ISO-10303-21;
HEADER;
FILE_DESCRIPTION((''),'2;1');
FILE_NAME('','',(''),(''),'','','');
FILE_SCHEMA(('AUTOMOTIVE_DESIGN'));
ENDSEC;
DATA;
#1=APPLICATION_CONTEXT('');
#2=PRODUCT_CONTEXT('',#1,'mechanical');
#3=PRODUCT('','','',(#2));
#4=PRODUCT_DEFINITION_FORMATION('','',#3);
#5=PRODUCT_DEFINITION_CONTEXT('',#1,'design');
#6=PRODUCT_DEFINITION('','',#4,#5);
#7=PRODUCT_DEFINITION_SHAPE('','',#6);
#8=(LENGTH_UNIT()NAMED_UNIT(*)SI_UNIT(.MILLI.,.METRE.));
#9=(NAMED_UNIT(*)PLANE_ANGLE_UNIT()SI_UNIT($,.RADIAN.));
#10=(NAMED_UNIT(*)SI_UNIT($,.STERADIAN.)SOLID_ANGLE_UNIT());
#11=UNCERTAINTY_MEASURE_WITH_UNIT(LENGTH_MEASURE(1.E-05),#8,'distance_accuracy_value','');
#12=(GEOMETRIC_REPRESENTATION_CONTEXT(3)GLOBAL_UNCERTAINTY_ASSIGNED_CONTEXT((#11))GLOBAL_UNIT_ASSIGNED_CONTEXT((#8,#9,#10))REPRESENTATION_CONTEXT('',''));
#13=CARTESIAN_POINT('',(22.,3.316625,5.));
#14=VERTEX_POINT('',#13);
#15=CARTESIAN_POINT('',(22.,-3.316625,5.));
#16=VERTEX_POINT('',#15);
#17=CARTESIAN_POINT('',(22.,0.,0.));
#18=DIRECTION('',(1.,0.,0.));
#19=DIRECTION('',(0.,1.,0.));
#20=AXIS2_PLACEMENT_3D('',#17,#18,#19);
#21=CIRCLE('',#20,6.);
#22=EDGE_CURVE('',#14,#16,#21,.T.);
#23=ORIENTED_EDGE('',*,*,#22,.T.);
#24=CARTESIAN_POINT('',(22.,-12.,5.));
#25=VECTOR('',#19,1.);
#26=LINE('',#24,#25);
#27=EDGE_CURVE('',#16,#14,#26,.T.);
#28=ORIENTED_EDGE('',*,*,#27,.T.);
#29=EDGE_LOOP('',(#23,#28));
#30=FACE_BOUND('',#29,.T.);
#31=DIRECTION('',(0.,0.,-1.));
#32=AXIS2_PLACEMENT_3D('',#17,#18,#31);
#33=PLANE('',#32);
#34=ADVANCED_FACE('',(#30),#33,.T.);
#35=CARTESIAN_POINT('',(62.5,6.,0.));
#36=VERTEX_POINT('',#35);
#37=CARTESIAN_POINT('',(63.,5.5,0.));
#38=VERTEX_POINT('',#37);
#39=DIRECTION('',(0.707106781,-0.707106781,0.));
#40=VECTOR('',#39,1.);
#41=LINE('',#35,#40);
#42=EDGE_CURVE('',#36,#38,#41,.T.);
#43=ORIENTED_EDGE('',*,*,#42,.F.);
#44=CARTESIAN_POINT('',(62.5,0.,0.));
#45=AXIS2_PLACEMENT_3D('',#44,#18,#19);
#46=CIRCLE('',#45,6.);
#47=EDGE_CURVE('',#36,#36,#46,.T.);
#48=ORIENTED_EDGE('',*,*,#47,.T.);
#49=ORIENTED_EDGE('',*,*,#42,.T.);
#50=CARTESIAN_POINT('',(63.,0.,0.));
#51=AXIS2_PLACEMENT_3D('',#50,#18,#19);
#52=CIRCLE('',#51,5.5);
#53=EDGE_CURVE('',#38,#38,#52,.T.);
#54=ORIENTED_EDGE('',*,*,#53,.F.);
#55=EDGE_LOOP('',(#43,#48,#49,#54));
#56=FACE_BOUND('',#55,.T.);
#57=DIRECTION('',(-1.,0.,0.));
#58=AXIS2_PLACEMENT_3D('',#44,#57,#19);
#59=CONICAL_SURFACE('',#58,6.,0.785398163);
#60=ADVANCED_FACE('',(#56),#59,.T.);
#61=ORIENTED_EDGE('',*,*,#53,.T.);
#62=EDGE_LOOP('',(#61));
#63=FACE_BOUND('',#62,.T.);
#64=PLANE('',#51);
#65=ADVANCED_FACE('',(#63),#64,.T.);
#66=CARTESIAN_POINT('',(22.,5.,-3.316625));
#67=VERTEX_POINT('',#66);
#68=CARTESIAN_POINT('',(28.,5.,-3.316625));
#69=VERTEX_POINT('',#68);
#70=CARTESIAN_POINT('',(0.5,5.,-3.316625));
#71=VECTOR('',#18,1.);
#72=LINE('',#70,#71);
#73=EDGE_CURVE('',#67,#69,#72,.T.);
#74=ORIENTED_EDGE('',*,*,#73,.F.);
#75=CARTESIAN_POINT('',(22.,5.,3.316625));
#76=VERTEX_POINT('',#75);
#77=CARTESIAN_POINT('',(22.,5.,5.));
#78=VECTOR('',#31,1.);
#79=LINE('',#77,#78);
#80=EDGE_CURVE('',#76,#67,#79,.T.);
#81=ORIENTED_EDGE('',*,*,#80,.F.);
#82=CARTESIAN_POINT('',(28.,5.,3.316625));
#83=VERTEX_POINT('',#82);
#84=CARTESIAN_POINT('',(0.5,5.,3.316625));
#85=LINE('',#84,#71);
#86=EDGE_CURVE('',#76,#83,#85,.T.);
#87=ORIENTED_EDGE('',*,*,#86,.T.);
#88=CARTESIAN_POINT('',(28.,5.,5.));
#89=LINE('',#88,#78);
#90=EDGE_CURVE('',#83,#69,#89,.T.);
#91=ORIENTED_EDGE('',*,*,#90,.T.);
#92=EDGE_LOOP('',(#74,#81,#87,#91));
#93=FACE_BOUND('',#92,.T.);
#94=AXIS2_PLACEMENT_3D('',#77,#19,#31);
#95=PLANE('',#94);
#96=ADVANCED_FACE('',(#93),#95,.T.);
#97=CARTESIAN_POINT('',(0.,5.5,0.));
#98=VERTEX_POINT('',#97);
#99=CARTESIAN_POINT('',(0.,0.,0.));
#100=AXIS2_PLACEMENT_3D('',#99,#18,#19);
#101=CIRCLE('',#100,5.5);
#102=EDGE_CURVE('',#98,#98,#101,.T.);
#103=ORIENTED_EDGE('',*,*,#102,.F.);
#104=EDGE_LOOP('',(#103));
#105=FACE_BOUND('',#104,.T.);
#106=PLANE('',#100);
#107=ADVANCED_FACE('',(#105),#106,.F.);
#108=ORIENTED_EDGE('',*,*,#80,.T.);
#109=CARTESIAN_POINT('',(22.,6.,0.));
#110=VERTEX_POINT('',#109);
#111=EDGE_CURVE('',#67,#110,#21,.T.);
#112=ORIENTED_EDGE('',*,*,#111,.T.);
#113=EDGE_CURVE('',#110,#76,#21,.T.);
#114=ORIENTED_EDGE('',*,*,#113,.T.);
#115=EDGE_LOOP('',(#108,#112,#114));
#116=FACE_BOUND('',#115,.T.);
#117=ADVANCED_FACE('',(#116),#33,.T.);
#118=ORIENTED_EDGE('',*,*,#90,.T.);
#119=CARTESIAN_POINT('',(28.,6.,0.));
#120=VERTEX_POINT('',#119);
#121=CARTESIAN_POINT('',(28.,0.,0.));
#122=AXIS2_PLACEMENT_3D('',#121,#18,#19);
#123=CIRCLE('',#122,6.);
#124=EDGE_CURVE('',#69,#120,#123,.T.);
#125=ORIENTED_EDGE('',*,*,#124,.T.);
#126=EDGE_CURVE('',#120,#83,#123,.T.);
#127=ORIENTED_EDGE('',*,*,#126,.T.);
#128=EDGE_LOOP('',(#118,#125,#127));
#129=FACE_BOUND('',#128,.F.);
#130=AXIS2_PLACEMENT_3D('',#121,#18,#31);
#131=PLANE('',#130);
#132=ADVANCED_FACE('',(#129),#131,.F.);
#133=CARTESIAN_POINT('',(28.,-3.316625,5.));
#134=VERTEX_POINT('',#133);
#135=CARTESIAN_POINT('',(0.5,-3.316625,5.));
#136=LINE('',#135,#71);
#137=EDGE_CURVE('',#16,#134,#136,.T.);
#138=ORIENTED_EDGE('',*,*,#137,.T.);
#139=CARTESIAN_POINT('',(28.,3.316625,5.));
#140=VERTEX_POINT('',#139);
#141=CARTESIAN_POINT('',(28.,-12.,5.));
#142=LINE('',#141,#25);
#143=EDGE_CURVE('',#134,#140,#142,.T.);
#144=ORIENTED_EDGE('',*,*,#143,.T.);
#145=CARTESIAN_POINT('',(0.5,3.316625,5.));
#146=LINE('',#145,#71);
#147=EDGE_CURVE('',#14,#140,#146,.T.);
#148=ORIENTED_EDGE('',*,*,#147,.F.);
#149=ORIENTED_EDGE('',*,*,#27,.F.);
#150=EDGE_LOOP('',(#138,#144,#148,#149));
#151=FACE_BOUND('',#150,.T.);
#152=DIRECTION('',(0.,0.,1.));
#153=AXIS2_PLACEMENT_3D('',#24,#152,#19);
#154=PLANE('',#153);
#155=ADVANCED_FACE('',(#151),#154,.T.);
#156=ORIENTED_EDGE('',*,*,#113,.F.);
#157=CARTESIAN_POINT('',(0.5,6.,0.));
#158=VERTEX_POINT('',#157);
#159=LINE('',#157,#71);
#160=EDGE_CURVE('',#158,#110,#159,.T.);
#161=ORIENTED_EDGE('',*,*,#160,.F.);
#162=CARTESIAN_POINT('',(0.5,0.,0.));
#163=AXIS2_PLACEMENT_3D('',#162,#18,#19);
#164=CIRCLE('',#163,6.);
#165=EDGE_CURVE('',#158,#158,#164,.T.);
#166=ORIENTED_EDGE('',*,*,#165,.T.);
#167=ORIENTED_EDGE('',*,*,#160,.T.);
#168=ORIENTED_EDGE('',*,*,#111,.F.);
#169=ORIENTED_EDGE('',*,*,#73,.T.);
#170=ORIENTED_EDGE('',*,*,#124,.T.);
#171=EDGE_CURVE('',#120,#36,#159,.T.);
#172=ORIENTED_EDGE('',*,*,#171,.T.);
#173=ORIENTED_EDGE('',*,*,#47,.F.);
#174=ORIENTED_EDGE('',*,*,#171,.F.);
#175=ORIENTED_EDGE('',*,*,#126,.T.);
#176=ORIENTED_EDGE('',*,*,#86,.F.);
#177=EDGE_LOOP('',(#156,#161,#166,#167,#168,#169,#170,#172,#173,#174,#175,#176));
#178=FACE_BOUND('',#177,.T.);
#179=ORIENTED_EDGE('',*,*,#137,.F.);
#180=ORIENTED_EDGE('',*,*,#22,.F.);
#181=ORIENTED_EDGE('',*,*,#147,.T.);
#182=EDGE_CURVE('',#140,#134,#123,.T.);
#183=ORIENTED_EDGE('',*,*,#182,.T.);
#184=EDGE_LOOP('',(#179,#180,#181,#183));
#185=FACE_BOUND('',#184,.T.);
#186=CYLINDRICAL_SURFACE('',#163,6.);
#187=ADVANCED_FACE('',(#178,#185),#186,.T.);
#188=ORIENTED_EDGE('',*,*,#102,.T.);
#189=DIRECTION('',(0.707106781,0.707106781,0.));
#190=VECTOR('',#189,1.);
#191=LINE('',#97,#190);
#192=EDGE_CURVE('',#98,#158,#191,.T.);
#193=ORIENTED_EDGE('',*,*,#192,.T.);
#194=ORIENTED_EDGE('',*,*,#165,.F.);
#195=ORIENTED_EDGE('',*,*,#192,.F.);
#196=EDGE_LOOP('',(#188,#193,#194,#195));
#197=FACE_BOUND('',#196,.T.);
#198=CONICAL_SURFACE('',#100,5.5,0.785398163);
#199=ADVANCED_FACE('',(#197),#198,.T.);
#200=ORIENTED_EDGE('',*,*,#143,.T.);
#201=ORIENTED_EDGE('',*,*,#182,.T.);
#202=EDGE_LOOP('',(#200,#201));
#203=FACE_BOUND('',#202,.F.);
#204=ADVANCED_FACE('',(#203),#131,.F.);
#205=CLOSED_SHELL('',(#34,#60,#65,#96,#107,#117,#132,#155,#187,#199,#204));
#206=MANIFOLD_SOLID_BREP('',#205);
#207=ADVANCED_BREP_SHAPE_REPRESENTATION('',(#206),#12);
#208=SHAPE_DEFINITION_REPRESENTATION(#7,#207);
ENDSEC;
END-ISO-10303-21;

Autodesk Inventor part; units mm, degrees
ref_plane "YZ Plane" through (0, 0, 0) normal (1, 0, 0) x (0, 1, 0)
ref_plane "XZ Plane" through (0, 0, 0) normal (0, 1, 0) x (-1, 0, 0)
ref_plane "XY Plane" through (0, 0, 0) normal (0, 0, 1) x (1, 0, 0)
sketch "Sketch_3" plane through (0, 0, 0) normal (0, 0, 1) x (1, 0, 0)
  line L0 (63, 0) -> (0, 0)
  line L1 (0, 0) -> (0, 5.5)
  line L2 (0, 5.5) -> (0.5, 6)
  line L3 (0.5, 6) -> (62.5, 6)
  line L4 (62.5, 6) -> (63, 5.5)
  line L5 (63, 5.5) -> (63, 0)
  line L6 (63, 0) -> (0, 0)
revolve "Revolution1" add sketch "Sketch_3" angle 360 about axis through (63, 0, 0) along (1, 0, 0)
sketch "Sketch_10" plane through (22, 0, 0) normal (1, 0, 0) x (0, 0, -1)
  line L0 (-12, 12) -> (-12, -12)
  line L1 (-12, -12) -> (-5, -12)
  line L2 (-5, -12) -> (-5, 5)
  line L3 (-5, 5) -> (12, 5)
  line L4 (12, 5) -> (12, 12)
  line L5 (12, 12) -> (-12, 12)
extrude "Extrusion1" cut sketch "Sketch_10" along normal blind 6
properties part number "PSSFG12-63-RC22"
